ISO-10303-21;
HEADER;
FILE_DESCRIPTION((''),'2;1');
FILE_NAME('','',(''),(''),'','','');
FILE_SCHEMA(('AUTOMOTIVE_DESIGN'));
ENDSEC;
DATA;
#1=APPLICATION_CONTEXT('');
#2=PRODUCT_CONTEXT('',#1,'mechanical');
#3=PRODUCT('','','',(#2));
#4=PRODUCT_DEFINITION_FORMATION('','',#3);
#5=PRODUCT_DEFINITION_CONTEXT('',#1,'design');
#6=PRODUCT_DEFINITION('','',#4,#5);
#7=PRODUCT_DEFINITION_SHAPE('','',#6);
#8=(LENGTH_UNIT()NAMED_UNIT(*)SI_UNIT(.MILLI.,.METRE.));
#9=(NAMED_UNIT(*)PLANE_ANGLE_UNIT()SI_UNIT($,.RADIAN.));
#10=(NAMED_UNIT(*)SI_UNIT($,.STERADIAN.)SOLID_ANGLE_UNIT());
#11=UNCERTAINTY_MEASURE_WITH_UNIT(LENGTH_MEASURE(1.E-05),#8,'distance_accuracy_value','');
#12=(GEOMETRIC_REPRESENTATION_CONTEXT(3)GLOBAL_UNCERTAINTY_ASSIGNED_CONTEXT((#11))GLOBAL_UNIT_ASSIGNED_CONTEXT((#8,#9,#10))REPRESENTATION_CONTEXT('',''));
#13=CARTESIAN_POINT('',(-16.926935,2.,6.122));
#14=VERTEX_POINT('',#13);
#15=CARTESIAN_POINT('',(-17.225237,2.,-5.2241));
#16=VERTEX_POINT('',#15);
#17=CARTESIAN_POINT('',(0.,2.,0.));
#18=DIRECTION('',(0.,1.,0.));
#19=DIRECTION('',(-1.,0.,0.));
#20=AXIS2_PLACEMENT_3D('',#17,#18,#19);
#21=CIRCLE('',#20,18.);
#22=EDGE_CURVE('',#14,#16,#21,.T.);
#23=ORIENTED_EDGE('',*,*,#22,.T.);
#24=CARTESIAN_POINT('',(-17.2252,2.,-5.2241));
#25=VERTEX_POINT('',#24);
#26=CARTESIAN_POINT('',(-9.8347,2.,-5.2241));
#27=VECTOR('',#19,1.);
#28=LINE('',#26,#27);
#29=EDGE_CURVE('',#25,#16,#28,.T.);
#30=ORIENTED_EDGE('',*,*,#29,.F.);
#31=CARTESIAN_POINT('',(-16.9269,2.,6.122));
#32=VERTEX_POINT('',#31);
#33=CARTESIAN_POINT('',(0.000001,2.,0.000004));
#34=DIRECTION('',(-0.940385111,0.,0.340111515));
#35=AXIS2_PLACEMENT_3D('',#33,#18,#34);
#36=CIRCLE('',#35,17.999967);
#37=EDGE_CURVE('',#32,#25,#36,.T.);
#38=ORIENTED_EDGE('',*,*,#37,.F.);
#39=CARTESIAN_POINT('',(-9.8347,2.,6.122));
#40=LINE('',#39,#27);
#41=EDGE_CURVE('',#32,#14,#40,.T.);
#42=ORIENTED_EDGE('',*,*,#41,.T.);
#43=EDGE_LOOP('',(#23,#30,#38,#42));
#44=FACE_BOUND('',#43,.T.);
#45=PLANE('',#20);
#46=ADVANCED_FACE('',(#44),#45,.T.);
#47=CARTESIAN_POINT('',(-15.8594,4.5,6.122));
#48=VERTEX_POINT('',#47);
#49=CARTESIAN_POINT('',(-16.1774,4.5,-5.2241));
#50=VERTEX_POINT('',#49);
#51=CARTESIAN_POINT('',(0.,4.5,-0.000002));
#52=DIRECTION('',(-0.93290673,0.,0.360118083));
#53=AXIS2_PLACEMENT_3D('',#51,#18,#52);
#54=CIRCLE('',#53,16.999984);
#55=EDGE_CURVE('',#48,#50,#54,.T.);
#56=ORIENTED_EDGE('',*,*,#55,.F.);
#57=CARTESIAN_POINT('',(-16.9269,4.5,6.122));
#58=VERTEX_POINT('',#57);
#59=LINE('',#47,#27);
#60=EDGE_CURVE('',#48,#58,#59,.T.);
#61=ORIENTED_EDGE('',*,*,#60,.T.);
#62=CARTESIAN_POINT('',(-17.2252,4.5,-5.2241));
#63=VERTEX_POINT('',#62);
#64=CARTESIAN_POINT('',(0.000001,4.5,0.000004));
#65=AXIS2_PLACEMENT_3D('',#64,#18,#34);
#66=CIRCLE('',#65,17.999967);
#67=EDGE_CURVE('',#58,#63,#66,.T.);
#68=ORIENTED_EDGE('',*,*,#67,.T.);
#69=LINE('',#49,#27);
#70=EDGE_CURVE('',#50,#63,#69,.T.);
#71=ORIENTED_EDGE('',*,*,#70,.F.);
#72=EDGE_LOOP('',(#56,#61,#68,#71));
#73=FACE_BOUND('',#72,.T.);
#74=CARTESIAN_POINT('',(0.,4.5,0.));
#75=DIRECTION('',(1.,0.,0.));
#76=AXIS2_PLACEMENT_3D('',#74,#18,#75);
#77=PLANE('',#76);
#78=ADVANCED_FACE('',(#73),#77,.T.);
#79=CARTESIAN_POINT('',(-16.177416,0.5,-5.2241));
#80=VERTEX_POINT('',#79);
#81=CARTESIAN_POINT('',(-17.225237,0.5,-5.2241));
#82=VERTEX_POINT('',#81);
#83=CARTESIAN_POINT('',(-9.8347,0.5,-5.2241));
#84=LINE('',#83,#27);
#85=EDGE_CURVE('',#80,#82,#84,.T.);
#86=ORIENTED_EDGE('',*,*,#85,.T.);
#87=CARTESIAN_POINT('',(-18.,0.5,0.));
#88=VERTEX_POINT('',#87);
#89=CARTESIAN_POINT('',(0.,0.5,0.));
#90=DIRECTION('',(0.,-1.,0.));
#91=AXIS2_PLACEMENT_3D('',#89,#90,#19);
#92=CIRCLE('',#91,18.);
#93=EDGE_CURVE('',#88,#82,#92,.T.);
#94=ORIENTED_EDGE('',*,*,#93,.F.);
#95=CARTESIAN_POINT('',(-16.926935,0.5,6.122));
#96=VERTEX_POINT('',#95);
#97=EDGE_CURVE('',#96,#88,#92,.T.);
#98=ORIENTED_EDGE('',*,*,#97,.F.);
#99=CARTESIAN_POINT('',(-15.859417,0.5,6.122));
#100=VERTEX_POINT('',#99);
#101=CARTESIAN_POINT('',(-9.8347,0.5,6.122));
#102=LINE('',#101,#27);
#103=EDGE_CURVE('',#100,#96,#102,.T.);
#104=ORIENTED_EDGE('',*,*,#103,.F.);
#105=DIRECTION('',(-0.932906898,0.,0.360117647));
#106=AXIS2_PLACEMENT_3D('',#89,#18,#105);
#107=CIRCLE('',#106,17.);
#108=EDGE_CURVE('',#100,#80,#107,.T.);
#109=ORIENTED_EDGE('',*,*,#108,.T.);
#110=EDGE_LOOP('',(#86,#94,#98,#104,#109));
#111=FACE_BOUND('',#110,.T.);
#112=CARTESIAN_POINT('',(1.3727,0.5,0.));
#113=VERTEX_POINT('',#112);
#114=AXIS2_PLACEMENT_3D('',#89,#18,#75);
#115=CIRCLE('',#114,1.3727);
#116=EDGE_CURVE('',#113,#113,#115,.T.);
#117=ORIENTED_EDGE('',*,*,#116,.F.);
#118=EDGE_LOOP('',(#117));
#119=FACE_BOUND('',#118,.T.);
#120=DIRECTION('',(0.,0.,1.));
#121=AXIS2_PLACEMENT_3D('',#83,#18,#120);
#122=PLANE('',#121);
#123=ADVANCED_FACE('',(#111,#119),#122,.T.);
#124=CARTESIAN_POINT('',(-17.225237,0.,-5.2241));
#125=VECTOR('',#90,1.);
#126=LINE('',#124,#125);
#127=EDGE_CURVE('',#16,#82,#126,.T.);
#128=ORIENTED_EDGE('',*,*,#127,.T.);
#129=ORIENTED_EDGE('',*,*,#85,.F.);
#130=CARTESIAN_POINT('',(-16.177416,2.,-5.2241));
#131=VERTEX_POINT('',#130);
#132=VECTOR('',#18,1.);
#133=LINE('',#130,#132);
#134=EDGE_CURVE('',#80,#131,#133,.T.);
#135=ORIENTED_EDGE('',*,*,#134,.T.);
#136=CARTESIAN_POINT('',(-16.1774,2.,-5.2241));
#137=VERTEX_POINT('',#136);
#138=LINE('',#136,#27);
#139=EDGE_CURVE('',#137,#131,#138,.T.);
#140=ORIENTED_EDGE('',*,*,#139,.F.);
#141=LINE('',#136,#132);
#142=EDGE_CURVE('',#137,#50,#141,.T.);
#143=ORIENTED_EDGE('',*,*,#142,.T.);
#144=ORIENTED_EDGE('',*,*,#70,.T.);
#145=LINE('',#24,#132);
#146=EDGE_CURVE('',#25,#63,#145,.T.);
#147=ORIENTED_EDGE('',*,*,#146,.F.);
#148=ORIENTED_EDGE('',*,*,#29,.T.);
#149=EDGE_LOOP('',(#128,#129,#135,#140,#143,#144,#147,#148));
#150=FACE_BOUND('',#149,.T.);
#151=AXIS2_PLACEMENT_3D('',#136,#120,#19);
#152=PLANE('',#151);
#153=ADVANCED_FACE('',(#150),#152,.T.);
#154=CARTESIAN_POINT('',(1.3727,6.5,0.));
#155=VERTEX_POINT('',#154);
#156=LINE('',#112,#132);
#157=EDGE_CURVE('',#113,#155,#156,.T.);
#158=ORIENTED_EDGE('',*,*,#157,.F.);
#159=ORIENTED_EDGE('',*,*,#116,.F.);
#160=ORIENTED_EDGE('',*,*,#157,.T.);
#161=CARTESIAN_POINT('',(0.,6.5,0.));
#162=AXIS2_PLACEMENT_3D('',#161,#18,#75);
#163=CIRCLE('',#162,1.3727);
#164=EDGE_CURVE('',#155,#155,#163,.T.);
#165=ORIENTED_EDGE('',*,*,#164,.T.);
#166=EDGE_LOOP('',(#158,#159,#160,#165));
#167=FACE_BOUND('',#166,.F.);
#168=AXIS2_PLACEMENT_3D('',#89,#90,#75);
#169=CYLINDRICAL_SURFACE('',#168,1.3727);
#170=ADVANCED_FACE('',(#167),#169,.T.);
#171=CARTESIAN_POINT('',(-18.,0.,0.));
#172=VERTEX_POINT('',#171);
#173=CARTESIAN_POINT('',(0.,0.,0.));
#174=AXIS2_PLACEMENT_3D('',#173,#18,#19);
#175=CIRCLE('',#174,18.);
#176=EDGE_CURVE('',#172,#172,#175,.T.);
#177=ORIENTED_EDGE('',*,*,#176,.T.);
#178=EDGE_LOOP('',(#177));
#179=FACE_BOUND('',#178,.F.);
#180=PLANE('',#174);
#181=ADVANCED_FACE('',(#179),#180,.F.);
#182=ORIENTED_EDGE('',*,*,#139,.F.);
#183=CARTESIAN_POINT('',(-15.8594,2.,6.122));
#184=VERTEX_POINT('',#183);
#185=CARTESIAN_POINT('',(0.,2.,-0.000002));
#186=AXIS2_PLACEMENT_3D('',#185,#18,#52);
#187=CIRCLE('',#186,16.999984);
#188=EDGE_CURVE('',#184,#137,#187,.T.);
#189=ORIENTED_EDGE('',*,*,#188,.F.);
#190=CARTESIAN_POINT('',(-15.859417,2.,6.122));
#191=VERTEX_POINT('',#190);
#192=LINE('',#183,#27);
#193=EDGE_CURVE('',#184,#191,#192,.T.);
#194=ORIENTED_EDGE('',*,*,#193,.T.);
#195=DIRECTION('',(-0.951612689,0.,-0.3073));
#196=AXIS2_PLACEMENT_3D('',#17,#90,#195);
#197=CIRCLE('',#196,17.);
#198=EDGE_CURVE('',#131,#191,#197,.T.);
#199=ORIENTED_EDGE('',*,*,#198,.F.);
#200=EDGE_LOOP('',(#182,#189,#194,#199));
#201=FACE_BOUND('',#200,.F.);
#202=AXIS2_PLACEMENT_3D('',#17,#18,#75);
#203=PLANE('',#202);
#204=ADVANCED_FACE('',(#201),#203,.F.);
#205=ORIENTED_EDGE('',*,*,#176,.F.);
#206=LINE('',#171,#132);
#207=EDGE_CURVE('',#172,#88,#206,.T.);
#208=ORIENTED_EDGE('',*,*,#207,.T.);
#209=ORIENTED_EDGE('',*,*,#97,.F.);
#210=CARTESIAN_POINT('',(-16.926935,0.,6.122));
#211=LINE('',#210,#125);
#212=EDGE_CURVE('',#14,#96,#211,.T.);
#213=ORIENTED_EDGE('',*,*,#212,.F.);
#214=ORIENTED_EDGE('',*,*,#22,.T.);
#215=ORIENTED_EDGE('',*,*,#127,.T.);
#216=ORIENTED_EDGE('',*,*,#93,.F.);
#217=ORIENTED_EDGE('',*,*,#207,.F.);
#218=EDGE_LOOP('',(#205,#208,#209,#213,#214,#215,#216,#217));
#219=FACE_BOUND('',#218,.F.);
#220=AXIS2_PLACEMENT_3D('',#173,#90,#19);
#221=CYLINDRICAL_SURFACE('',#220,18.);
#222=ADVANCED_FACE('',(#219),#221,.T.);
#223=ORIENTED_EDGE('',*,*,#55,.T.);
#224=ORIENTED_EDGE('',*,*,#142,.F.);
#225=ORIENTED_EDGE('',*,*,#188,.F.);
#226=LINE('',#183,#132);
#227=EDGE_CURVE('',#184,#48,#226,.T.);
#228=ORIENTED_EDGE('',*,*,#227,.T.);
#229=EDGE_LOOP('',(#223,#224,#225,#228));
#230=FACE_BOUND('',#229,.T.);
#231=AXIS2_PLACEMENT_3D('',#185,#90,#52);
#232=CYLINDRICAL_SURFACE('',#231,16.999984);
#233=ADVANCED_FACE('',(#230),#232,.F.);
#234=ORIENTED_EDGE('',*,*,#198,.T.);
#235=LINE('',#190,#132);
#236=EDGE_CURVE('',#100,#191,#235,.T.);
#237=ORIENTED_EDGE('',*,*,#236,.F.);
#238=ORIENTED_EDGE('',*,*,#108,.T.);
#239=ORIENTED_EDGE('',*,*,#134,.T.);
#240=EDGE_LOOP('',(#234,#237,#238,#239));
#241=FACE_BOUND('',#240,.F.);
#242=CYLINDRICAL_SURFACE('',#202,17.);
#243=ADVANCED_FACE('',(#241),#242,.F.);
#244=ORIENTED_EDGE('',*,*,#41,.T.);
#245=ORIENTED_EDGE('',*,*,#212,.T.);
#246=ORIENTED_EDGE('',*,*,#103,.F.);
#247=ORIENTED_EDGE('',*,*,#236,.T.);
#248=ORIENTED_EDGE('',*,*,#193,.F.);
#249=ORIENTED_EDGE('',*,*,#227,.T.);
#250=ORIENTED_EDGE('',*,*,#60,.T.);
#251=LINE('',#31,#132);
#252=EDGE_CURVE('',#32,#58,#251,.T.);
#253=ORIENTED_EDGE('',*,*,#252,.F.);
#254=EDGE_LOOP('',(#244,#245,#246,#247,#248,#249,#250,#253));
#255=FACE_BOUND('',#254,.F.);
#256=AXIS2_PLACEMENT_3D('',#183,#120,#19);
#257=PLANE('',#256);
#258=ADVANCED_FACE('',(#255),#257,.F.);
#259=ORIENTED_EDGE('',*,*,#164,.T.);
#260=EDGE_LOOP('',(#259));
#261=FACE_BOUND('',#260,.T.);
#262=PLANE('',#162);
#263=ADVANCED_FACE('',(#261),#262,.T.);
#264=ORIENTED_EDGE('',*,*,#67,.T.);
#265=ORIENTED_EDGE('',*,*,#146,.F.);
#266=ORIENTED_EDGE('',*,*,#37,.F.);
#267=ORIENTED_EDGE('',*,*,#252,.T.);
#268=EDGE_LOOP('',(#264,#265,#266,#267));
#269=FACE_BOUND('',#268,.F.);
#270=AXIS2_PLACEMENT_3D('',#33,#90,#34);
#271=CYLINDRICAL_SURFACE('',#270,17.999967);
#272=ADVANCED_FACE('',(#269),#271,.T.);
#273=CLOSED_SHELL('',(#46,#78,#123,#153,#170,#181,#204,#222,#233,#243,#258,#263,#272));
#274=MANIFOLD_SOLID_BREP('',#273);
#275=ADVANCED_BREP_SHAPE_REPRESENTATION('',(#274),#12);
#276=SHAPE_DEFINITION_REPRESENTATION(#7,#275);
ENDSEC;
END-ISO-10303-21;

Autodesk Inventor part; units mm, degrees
ref_plane "YZ Plane" through (0, 0, 0) normal (1, 0, 0) x (0, 1, 0)
ref_plane "XZ Plane" through (0, 0, 0) normal (0, 1, 0) x (-1, 0, 0)
ref_plane "XY Plane" through (0, 0, 0) normal (0, 0, 1) x (1, 0, 0)
sketch "Sketch1" plane through (0, 0, 0) normal (0, 1, 0) x (-1, 0, 0)
  circle A0 centre (0, 0) radius 18
  dimension "d1" = 36
extrude "Extrusion1" add sketch "Sketch1" along normal blind 2
sketch "Sketch2" plane through (0, 2, 0) normal (0, 1, 0) x (1, 0, 0)
  circle A0 centre (0, 0) radius 17
  dimension "d4" = 34
extrude "Extrusion2" cut sketch "Sketch2" against normal blind 1.5
ref_plane "Work Plane1" through (-9.8347, 0.5, -3.688) normal (-1, 0, 0) x (0, 0, 1)
sketch "Sketch5" plane through (-9.8347, 0.5, -3.688) normal (-1, 0, 0) x (0, 0, 1)
  point P0 (3.688, -0.5)
ref_plane "Work Plane4" through (-9.8347, 0.5, -3.688) normal (-1, 0, 0) x (0, 0, 1)
sketch "Sketch6" plane through (-9.8347, 0.5, -3.688) normal (-1, 0, 0) x (0, 0, 1)
  line L0 (-13.312, 0) -> (20.688, 0) projected
  line L1 (21.688, 1.5) -> (-14.312, 1.5) projected
  line L2 (-1.5361, 0) -> (9.81, 0)
  line L3 (9.81, 0) -> (9.81, 1.5)
  line L4 (9.81, 1.5) -> (-1.5361, 1.5)
  line L5 (-1.5361, 1.5) -> (-1.5361, 0)
  point P0 (3.688, -0.5)
extrude "Extrusion4" cut sketch "Sketch6" along normal blind 15
sketch "Sketch8" plane through (0, 2, 0) normal (0, 1, 0) x (1, 0, 0)
  arc A0 (-16.9269, -6.122) -> (-17.2252, 5.2241) centre (0, 0) ccw projected
  line L0 (-15.8594, -6.122) -> (-16.9269, -6.122) projected
  line L1 (-16.9269, -6.122) -> (-15.8594, -6.122)
  arc A1 (-15.8594, -6.122) -> (-16.1774, 5.2241) centre (0, 0) ccw projected
  arc A2 (-15.8594, -6.122) -> (-16.1774, 5.2241) centre (0, 0) ccw
  arc A3 (-16.9269, -6.122) -> (-17.2252, 5.2241) centre (0, 0) ccw
  arc A4 (-17.2252, 5.2241) -> (-16.9269, -6.122) centre (0, 0) ccw projected
  line L2 (-16.1774, 5.2241) -> (-17.2252, 5.2241) projected
  line L3 (-17.2252, 5.2241) -> (-16.1774, 5.2241)
extrude "Extrusion5" add sketch "Sketch8" along normal blind 2.5 contours L0 A1 L2 A0
sketch "Sketch9" plane through (0, 0.5, 0) normal (0, 1, 0) x (1, 0, 0)
  circle A0 centre (0, 0) radius 1.3727
extrude "Extrusion6" add sketch "Sketch9" along normal blind 6
properties part number "watchChargerBottom"
